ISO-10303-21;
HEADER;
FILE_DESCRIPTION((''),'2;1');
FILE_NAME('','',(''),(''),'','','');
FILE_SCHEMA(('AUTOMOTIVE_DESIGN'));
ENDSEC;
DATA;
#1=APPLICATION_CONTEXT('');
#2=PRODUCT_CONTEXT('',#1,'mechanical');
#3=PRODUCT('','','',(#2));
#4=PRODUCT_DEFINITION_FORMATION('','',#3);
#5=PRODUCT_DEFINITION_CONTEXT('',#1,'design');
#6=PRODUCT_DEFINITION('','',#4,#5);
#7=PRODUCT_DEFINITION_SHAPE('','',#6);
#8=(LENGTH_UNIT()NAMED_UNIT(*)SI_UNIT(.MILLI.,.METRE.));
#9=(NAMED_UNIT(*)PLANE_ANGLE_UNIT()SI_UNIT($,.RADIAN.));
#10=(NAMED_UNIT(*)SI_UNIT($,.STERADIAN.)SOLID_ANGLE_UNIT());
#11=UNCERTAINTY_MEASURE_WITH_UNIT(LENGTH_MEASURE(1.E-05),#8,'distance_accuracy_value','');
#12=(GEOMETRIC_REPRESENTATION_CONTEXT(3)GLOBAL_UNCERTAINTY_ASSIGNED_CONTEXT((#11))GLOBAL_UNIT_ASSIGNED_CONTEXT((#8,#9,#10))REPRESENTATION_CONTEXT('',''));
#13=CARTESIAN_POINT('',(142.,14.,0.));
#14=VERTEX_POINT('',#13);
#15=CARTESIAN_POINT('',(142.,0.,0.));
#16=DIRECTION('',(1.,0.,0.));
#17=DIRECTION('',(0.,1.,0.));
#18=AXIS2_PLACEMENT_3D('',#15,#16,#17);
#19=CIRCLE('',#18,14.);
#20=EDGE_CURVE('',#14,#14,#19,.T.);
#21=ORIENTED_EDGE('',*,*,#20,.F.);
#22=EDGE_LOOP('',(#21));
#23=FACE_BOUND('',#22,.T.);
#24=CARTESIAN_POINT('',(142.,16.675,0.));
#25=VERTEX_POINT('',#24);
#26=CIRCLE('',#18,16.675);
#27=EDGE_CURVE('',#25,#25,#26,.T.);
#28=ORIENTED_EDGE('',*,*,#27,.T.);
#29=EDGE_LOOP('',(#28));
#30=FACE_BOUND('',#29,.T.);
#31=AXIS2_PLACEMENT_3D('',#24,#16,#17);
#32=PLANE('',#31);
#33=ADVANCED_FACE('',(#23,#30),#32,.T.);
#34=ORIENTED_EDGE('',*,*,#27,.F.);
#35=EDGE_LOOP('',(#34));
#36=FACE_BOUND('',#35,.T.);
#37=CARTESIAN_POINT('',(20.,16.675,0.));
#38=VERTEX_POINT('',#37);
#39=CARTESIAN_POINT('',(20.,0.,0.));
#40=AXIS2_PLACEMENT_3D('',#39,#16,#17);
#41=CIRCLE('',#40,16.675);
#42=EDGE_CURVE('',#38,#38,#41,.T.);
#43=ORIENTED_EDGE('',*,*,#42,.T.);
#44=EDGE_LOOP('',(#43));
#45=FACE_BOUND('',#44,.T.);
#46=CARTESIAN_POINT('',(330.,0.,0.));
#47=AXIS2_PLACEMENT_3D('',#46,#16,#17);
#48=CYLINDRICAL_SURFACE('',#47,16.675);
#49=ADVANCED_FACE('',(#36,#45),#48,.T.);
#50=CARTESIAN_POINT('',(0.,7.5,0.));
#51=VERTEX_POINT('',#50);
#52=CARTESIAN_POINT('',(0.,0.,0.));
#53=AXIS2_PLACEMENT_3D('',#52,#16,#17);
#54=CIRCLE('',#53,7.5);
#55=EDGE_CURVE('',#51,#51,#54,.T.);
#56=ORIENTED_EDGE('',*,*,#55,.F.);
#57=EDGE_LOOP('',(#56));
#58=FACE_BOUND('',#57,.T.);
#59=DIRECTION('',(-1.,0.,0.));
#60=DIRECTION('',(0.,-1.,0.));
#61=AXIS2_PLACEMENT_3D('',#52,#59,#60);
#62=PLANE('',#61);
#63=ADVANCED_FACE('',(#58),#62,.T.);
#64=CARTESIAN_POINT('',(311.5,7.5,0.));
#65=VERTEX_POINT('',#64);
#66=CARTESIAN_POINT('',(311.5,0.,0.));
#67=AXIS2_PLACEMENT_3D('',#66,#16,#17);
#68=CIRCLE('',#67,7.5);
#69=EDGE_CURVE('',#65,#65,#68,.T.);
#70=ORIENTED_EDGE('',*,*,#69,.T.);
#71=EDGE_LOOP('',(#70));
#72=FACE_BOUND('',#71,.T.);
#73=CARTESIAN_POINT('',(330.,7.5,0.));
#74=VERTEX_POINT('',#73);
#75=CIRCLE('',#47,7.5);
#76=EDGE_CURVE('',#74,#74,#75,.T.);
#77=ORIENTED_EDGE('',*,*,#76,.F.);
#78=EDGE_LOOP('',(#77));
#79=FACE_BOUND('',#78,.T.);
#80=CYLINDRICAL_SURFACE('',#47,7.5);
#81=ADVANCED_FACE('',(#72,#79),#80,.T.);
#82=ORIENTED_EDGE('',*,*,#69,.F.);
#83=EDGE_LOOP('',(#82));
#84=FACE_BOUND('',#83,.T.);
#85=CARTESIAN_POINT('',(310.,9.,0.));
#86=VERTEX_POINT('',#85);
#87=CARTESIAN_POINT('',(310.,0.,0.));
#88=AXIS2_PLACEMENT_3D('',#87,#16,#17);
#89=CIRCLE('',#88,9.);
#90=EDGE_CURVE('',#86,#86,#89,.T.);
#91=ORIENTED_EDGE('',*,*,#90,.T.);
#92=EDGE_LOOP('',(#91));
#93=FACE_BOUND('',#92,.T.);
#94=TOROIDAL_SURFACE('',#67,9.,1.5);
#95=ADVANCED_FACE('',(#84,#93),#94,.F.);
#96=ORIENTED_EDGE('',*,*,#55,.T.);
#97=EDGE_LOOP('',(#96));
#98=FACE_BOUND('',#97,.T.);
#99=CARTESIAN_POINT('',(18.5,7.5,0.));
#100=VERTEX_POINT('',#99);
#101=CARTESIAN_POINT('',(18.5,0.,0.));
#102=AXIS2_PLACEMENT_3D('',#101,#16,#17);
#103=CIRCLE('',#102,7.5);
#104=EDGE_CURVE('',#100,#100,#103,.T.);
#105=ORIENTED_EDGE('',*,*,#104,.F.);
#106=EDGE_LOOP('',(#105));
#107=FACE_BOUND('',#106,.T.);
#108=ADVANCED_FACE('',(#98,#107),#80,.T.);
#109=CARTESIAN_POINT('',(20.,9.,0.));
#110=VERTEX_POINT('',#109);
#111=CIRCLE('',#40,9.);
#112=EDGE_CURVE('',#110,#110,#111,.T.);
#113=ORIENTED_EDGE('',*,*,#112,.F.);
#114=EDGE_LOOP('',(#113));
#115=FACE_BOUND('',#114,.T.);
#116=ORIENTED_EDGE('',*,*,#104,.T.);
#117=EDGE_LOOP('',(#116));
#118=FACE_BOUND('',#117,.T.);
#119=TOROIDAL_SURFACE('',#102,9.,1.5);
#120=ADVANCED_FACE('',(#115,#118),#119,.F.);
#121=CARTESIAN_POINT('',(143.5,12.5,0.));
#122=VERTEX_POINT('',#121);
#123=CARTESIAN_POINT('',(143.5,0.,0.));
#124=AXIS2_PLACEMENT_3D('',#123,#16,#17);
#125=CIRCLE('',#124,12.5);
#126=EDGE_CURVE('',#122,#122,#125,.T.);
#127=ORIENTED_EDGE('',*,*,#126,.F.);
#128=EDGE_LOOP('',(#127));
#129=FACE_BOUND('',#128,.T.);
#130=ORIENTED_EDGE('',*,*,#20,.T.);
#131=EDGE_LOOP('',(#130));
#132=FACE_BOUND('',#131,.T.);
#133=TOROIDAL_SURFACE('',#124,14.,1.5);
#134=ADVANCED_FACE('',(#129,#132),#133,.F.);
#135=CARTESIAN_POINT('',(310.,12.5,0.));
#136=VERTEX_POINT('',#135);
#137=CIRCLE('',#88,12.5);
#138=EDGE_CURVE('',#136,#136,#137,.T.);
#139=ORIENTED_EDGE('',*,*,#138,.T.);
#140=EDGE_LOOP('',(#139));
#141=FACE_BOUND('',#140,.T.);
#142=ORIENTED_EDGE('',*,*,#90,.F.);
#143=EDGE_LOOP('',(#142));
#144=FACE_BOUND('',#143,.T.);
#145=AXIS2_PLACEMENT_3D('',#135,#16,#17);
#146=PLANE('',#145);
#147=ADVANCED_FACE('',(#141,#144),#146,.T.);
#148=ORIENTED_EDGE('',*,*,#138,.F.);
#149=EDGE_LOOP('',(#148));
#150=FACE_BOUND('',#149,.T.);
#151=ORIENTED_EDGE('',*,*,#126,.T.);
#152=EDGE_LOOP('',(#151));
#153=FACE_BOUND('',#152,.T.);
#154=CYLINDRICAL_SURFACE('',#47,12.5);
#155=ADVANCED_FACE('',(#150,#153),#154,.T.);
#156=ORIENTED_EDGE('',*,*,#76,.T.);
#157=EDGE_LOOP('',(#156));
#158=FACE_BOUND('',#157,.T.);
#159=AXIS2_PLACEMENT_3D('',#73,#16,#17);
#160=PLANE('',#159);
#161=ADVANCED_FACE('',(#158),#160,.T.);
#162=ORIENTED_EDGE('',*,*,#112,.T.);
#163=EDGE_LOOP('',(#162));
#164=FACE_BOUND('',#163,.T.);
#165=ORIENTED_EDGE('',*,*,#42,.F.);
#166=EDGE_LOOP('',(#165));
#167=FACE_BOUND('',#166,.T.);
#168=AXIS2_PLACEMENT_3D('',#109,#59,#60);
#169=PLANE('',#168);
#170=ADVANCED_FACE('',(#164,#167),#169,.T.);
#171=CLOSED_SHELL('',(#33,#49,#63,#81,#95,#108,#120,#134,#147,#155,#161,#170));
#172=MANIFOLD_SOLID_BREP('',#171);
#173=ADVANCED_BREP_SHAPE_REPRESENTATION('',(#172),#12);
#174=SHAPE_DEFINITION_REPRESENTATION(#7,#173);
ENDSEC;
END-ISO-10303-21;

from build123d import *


with BuildPart() as part:
    # Sketch1 → Revolve1 (revolve)
    with BuildSketch(Plane.XY):
        with BuildLine():
            Line((0, 0), (0, 7.5))
            Line((0, 7.5), (18.5, 7.5))
            ThreePointArc((18.5, 7.5), (19.560660172, 7.939339828), (20, 9))
            Line((20, 9), (20, 16.675))
            Line((20, 16.675), (142, 16.675))
            Line((142, 16.675), (142, 14))
            ThreePointArc((142, 14), (142.439339828, 12.939339828), (143.5, 12.5))
            Line((143.5, 12.5), (310, 12.5))
            Line((310, 12.5), (310, 9))
            ThreePointArc((310, 9), (310.439339828, 7.939339828), (311.5, 7.5))
            Line((311.5, 7.5), (330, 7.5))
            Line((330, 7.5), (330, 0))
            Line((330, 0), (0, 0))
        make_face()
    revolve(axis=Axis((330, 0, 0), (-1, 0, 0)))


solid = part.part
